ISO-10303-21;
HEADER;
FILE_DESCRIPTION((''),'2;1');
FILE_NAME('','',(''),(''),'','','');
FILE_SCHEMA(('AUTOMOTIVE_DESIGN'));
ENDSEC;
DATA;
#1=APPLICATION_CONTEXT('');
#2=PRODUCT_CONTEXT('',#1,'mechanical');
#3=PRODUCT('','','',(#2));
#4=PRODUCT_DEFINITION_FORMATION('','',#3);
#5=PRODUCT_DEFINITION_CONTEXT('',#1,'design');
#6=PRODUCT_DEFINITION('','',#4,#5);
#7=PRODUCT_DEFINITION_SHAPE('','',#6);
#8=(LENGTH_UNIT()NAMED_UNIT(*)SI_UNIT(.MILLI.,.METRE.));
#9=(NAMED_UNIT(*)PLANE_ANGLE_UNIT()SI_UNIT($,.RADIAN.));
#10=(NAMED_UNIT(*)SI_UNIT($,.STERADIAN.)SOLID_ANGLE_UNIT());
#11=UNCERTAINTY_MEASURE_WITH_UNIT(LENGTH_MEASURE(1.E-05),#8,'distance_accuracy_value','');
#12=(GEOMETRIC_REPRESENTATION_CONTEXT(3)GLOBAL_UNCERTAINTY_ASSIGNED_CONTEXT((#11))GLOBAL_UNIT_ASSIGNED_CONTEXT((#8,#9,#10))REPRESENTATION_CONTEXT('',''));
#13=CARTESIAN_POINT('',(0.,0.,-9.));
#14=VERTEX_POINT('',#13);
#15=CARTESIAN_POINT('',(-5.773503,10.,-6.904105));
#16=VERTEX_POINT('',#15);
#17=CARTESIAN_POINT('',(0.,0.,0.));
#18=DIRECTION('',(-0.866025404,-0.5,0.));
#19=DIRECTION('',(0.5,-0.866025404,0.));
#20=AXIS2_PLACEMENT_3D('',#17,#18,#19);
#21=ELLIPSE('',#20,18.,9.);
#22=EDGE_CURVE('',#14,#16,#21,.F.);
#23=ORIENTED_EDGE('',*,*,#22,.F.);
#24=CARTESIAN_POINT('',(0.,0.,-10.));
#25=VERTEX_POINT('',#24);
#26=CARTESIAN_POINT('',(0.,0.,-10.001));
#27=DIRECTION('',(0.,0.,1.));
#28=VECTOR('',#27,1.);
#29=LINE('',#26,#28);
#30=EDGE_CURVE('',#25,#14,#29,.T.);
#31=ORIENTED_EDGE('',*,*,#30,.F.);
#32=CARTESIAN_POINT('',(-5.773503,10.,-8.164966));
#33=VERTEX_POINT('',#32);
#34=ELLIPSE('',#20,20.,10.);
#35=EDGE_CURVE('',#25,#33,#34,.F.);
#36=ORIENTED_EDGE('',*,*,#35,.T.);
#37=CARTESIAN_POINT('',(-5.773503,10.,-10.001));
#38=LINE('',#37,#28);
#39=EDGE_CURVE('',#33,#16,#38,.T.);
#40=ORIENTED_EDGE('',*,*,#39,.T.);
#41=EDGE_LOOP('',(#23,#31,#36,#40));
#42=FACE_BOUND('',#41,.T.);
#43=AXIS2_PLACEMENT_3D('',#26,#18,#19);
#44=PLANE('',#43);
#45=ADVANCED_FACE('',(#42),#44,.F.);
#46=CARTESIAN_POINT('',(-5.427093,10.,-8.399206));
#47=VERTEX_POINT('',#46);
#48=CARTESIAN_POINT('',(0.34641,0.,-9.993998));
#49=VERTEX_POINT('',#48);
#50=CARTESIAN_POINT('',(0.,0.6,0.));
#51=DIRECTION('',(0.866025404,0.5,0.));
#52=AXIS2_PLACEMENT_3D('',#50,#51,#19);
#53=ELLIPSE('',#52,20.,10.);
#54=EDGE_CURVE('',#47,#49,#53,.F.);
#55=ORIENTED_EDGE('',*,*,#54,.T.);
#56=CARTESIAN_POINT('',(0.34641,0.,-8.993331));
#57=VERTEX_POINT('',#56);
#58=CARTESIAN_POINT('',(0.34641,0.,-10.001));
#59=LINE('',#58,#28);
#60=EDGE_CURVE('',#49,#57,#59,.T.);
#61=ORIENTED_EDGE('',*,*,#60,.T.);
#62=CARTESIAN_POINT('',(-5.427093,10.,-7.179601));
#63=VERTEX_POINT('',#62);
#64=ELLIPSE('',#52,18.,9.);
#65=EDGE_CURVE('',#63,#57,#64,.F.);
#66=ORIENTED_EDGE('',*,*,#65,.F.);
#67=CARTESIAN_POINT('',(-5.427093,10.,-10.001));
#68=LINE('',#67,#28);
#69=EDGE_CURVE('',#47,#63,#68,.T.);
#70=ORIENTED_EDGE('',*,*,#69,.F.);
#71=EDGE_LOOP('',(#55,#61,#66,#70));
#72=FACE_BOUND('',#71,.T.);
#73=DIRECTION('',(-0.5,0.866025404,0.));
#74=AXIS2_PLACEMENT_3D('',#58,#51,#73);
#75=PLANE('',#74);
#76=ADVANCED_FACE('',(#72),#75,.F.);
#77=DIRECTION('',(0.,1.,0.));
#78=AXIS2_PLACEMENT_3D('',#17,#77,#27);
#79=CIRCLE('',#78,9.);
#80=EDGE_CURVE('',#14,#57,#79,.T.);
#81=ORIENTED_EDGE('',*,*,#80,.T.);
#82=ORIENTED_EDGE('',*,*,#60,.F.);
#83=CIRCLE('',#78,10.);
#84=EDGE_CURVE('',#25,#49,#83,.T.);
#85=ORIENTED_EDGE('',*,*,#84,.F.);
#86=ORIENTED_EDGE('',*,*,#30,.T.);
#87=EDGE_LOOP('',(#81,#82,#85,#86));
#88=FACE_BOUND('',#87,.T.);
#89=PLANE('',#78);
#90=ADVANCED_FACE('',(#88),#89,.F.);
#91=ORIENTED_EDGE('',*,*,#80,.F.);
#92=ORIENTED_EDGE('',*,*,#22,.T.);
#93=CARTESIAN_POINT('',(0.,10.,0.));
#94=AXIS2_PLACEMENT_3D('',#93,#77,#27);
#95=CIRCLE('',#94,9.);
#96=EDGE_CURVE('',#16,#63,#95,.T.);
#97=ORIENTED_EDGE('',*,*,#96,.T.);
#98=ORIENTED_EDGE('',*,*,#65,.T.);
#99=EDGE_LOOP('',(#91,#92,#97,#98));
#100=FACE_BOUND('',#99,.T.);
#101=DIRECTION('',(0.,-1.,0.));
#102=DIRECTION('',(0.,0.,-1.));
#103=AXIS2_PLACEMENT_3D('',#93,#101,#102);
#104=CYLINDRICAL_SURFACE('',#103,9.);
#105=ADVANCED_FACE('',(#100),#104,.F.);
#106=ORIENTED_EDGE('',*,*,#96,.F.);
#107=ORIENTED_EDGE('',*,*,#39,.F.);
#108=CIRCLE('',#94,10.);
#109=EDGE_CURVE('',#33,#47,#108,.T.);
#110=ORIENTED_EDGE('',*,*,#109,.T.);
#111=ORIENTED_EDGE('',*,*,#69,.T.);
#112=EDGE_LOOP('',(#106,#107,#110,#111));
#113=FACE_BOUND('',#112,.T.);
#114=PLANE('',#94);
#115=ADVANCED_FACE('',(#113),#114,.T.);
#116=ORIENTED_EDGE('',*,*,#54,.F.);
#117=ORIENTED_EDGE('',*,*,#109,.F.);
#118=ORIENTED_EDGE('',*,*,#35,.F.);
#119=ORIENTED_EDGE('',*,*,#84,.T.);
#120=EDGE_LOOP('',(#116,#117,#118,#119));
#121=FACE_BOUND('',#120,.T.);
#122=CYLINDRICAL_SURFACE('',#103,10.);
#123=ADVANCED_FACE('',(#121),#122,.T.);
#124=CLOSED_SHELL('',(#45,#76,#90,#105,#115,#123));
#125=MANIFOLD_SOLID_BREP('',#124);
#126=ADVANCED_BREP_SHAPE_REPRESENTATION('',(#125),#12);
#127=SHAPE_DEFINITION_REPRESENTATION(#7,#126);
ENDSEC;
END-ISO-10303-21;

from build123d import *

# Parameters (mm, degrees)
SKETCH1_R           = 10
SKETCH1_R_2         = 9
BOSS_EXTRUDE1_DEPTH = 10
CUT_EXTRUDE1_REACH  = 19.321


with BuildPart() as part:
    # Sketch1 → Boss-Extrude1 (new body)
    with BuildSketch(Plane(origin=(0, 0, 0), x_dir=(1, 0, 0), z_dir=(0, 1, 0))):
        with Locations(Location((0, 0, 0), (0, 0, 270))):
            Circle(SKETCH1_R)
        with Locations(Location((0, 0, 0), (0, 0, 270))):
            Circle(SKETCH1_R_2, mode=Mode.SUBTRACT)
    extrude(amount=BOSS_EXTRUDE1_DEPTH)

    # Sketch3 → Cut-Extrude1 (cut, up to next)
    with BuildSketch(Plane.XY, mode=Mode.PRIVATE) as cut_extrude1_sk1:
        Polygon((0, 0), (-5.773502692, 10), (-5.42709253, 10), (0.346410162, 0), align=None)
    cut_extrude1_tool1 = extrude(cut_extrude1_sk1.sketch, amount=-CUT_EXTRUDE1_REACH, mode=Mode.PRIVATE) & part.part
    add(cut_extrude1_tool1.solids().sort_by_distance((-2.713546, 5, 0))[0], mode=Mode.SUBTRACT)


solid = part.part
